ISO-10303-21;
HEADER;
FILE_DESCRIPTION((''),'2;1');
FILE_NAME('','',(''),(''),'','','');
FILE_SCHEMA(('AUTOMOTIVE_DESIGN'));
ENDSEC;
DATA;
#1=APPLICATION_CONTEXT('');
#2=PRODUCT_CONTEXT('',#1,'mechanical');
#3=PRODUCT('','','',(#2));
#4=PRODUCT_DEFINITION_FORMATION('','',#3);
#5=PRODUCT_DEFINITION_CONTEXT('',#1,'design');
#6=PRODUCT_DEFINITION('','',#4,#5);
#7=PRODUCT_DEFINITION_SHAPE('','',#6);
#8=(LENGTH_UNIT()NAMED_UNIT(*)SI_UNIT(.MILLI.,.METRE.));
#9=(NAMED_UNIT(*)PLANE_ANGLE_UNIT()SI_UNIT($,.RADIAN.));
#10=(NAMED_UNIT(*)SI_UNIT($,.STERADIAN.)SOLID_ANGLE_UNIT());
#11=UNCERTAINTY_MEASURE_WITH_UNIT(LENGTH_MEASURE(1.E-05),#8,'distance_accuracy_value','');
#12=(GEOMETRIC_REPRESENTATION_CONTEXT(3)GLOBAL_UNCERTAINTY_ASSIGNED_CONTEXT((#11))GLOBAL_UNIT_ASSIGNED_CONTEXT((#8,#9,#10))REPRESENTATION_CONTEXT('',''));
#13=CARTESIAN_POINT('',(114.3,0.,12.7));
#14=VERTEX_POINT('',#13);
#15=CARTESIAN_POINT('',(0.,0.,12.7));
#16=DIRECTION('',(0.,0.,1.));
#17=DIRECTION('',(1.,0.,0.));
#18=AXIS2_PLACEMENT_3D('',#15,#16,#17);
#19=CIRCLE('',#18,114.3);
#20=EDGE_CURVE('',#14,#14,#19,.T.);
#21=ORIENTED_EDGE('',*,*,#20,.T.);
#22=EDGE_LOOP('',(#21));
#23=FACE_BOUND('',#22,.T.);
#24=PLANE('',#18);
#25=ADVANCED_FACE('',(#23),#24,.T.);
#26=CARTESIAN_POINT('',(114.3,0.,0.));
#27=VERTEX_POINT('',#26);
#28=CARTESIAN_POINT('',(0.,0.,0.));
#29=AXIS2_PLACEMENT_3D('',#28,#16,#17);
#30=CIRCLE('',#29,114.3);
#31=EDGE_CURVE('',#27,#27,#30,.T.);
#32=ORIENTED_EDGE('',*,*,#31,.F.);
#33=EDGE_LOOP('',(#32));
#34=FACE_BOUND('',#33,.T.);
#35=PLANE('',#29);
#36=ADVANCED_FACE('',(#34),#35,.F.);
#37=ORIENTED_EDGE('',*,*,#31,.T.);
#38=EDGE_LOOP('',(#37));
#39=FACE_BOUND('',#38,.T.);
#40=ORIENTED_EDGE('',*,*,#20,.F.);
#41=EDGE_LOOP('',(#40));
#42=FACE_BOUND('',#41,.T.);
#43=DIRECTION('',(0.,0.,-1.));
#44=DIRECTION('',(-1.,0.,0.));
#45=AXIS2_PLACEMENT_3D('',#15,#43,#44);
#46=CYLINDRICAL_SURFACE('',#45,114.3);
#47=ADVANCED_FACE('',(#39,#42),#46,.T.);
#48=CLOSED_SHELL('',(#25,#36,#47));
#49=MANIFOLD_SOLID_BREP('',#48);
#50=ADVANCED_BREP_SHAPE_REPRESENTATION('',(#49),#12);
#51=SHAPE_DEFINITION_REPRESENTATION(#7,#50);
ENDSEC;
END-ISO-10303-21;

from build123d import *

# Parameters (mm, degrees)
SKETCH1_R      = 114.3
EXTRUDE1_DEPTH = 12.7


with BuildPart() as part:
    # Sketch1 → Extrude1 (new body)
    with BuildSketch(Plane.XY):
        Circle(SKETCH1_R)
    extrude(amount=EXTRUDE1_DEPTH)


solid = part.part
